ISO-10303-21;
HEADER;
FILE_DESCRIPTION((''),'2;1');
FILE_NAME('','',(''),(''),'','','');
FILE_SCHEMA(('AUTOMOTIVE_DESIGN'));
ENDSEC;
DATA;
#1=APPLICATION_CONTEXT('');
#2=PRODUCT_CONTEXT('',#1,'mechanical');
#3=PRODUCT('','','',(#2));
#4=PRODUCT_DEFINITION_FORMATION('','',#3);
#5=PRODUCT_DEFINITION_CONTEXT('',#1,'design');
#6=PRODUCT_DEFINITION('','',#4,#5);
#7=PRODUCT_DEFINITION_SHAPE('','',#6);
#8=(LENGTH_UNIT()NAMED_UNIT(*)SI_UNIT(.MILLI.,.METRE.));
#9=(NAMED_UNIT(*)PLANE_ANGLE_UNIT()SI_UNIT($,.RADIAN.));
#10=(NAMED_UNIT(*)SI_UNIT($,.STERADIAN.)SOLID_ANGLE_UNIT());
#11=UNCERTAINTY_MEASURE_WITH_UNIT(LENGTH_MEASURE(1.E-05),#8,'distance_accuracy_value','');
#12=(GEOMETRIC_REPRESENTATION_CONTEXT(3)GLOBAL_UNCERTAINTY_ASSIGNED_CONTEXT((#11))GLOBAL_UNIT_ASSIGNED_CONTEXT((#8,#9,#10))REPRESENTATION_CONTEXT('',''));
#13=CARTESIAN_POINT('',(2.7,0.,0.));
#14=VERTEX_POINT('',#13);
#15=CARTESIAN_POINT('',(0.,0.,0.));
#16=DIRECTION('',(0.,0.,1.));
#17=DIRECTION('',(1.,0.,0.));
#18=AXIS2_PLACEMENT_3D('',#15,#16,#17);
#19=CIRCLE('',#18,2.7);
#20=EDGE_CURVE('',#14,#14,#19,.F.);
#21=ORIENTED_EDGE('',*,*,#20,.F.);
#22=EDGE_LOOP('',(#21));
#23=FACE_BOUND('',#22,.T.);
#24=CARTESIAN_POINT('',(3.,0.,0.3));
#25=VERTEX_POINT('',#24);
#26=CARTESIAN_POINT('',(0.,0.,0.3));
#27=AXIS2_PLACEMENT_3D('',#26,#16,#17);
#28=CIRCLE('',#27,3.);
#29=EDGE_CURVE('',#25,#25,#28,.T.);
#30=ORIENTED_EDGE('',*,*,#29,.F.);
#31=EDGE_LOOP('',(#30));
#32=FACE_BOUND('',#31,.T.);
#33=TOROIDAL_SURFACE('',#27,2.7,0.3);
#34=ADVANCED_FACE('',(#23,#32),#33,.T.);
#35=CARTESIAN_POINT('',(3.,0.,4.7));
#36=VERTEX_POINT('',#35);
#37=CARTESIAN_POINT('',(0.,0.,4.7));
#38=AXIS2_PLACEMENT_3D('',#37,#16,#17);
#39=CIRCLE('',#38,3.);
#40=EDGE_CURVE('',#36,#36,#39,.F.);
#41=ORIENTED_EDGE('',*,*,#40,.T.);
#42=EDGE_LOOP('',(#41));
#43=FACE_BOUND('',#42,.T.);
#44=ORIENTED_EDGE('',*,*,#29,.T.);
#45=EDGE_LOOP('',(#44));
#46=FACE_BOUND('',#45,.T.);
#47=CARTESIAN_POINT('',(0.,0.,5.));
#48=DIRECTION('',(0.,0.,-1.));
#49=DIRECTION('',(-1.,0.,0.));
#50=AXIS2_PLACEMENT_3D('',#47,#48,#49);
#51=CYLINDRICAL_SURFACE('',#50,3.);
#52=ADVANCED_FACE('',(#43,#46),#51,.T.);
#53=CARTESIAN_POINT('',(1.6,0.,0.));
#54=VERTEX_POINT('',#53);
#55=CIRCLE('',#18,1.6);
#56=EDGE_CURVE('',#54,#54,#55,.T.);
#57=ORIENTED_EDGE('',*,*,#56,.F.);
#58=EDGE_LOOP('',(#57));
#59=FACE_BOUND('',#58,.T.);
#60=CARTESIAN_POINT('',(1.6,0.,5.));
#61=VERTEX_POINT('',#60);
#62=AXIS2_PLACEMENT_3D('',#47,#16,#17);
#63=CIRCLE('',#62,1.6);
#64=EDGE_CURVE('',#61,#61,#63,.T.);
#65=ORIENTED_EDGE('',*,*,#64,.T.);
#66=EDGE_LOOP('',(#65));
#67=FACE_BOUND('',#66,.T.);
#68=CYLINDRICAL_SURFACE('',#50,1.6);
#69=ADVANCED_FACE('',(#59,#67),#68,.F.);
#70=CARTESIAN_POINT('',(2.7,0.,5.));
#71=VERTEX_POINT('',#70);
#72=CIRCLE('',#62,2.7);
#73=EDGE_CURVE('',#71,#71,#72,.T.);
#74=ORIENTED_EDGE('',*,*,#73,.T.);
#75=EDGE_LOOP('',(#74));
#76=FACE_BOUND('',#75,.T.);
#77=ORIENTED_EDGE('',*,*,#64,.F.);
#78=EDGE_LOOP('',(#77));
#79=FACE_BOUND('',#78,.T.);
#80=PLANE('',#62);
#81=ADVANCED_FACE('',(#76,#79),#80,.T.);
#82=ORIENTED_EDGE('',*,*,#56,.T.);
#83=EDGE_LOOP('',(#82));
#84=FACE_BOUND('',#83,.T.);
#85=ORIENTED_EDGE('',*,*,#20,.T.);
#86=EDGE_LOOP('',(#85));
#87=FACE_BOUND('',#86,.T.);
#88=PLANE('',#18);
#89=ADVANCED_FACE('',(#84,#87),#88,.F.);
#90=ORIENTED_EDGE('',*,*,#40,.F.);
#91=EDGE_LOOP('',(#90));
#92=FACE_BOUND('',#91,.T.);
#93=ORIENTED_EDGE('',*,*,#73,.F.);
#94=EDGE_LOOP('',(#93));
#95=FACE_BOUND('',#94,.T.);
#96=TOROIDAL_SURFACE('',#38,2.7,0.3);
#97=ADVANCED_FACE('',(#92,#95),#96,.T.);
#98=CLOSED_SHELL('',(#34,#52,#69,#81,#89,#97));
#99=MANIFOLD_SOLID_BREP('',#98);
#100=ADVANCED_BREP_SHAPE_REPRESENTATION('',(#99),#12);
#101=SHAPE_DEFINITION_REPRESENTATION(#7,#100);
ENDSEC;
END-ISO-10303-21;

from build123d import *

# Parameters (mm, degrees)
SKETCH1_R           = 3
SKETCH1_R_2         = 1.6
BOSS_EXTRUDE1_DEPTH = 5
FILLET1_R           = 0.3


with BuildPart() as part:
    # Sketch1 → Boss-Extrude1 (new body)
    with BuildSketch(Plane.XY):
        Circle(SKETCH1_R)
        Circle(SKETCH1_R_2, mode=Mode.SUBTRACT)
    extrude(amount=BOSS_EXTRUDE1_DEPTH)

    # Fillet1
    fillet1_edges = [part.edges().sort_by_distance(p)[0] for p in [
        (-3, 0, 0),
        (-3, 0, 5),
    ]]
    fillet(fillet1_edges, radius=FILLET1_R)


solid = part.part
